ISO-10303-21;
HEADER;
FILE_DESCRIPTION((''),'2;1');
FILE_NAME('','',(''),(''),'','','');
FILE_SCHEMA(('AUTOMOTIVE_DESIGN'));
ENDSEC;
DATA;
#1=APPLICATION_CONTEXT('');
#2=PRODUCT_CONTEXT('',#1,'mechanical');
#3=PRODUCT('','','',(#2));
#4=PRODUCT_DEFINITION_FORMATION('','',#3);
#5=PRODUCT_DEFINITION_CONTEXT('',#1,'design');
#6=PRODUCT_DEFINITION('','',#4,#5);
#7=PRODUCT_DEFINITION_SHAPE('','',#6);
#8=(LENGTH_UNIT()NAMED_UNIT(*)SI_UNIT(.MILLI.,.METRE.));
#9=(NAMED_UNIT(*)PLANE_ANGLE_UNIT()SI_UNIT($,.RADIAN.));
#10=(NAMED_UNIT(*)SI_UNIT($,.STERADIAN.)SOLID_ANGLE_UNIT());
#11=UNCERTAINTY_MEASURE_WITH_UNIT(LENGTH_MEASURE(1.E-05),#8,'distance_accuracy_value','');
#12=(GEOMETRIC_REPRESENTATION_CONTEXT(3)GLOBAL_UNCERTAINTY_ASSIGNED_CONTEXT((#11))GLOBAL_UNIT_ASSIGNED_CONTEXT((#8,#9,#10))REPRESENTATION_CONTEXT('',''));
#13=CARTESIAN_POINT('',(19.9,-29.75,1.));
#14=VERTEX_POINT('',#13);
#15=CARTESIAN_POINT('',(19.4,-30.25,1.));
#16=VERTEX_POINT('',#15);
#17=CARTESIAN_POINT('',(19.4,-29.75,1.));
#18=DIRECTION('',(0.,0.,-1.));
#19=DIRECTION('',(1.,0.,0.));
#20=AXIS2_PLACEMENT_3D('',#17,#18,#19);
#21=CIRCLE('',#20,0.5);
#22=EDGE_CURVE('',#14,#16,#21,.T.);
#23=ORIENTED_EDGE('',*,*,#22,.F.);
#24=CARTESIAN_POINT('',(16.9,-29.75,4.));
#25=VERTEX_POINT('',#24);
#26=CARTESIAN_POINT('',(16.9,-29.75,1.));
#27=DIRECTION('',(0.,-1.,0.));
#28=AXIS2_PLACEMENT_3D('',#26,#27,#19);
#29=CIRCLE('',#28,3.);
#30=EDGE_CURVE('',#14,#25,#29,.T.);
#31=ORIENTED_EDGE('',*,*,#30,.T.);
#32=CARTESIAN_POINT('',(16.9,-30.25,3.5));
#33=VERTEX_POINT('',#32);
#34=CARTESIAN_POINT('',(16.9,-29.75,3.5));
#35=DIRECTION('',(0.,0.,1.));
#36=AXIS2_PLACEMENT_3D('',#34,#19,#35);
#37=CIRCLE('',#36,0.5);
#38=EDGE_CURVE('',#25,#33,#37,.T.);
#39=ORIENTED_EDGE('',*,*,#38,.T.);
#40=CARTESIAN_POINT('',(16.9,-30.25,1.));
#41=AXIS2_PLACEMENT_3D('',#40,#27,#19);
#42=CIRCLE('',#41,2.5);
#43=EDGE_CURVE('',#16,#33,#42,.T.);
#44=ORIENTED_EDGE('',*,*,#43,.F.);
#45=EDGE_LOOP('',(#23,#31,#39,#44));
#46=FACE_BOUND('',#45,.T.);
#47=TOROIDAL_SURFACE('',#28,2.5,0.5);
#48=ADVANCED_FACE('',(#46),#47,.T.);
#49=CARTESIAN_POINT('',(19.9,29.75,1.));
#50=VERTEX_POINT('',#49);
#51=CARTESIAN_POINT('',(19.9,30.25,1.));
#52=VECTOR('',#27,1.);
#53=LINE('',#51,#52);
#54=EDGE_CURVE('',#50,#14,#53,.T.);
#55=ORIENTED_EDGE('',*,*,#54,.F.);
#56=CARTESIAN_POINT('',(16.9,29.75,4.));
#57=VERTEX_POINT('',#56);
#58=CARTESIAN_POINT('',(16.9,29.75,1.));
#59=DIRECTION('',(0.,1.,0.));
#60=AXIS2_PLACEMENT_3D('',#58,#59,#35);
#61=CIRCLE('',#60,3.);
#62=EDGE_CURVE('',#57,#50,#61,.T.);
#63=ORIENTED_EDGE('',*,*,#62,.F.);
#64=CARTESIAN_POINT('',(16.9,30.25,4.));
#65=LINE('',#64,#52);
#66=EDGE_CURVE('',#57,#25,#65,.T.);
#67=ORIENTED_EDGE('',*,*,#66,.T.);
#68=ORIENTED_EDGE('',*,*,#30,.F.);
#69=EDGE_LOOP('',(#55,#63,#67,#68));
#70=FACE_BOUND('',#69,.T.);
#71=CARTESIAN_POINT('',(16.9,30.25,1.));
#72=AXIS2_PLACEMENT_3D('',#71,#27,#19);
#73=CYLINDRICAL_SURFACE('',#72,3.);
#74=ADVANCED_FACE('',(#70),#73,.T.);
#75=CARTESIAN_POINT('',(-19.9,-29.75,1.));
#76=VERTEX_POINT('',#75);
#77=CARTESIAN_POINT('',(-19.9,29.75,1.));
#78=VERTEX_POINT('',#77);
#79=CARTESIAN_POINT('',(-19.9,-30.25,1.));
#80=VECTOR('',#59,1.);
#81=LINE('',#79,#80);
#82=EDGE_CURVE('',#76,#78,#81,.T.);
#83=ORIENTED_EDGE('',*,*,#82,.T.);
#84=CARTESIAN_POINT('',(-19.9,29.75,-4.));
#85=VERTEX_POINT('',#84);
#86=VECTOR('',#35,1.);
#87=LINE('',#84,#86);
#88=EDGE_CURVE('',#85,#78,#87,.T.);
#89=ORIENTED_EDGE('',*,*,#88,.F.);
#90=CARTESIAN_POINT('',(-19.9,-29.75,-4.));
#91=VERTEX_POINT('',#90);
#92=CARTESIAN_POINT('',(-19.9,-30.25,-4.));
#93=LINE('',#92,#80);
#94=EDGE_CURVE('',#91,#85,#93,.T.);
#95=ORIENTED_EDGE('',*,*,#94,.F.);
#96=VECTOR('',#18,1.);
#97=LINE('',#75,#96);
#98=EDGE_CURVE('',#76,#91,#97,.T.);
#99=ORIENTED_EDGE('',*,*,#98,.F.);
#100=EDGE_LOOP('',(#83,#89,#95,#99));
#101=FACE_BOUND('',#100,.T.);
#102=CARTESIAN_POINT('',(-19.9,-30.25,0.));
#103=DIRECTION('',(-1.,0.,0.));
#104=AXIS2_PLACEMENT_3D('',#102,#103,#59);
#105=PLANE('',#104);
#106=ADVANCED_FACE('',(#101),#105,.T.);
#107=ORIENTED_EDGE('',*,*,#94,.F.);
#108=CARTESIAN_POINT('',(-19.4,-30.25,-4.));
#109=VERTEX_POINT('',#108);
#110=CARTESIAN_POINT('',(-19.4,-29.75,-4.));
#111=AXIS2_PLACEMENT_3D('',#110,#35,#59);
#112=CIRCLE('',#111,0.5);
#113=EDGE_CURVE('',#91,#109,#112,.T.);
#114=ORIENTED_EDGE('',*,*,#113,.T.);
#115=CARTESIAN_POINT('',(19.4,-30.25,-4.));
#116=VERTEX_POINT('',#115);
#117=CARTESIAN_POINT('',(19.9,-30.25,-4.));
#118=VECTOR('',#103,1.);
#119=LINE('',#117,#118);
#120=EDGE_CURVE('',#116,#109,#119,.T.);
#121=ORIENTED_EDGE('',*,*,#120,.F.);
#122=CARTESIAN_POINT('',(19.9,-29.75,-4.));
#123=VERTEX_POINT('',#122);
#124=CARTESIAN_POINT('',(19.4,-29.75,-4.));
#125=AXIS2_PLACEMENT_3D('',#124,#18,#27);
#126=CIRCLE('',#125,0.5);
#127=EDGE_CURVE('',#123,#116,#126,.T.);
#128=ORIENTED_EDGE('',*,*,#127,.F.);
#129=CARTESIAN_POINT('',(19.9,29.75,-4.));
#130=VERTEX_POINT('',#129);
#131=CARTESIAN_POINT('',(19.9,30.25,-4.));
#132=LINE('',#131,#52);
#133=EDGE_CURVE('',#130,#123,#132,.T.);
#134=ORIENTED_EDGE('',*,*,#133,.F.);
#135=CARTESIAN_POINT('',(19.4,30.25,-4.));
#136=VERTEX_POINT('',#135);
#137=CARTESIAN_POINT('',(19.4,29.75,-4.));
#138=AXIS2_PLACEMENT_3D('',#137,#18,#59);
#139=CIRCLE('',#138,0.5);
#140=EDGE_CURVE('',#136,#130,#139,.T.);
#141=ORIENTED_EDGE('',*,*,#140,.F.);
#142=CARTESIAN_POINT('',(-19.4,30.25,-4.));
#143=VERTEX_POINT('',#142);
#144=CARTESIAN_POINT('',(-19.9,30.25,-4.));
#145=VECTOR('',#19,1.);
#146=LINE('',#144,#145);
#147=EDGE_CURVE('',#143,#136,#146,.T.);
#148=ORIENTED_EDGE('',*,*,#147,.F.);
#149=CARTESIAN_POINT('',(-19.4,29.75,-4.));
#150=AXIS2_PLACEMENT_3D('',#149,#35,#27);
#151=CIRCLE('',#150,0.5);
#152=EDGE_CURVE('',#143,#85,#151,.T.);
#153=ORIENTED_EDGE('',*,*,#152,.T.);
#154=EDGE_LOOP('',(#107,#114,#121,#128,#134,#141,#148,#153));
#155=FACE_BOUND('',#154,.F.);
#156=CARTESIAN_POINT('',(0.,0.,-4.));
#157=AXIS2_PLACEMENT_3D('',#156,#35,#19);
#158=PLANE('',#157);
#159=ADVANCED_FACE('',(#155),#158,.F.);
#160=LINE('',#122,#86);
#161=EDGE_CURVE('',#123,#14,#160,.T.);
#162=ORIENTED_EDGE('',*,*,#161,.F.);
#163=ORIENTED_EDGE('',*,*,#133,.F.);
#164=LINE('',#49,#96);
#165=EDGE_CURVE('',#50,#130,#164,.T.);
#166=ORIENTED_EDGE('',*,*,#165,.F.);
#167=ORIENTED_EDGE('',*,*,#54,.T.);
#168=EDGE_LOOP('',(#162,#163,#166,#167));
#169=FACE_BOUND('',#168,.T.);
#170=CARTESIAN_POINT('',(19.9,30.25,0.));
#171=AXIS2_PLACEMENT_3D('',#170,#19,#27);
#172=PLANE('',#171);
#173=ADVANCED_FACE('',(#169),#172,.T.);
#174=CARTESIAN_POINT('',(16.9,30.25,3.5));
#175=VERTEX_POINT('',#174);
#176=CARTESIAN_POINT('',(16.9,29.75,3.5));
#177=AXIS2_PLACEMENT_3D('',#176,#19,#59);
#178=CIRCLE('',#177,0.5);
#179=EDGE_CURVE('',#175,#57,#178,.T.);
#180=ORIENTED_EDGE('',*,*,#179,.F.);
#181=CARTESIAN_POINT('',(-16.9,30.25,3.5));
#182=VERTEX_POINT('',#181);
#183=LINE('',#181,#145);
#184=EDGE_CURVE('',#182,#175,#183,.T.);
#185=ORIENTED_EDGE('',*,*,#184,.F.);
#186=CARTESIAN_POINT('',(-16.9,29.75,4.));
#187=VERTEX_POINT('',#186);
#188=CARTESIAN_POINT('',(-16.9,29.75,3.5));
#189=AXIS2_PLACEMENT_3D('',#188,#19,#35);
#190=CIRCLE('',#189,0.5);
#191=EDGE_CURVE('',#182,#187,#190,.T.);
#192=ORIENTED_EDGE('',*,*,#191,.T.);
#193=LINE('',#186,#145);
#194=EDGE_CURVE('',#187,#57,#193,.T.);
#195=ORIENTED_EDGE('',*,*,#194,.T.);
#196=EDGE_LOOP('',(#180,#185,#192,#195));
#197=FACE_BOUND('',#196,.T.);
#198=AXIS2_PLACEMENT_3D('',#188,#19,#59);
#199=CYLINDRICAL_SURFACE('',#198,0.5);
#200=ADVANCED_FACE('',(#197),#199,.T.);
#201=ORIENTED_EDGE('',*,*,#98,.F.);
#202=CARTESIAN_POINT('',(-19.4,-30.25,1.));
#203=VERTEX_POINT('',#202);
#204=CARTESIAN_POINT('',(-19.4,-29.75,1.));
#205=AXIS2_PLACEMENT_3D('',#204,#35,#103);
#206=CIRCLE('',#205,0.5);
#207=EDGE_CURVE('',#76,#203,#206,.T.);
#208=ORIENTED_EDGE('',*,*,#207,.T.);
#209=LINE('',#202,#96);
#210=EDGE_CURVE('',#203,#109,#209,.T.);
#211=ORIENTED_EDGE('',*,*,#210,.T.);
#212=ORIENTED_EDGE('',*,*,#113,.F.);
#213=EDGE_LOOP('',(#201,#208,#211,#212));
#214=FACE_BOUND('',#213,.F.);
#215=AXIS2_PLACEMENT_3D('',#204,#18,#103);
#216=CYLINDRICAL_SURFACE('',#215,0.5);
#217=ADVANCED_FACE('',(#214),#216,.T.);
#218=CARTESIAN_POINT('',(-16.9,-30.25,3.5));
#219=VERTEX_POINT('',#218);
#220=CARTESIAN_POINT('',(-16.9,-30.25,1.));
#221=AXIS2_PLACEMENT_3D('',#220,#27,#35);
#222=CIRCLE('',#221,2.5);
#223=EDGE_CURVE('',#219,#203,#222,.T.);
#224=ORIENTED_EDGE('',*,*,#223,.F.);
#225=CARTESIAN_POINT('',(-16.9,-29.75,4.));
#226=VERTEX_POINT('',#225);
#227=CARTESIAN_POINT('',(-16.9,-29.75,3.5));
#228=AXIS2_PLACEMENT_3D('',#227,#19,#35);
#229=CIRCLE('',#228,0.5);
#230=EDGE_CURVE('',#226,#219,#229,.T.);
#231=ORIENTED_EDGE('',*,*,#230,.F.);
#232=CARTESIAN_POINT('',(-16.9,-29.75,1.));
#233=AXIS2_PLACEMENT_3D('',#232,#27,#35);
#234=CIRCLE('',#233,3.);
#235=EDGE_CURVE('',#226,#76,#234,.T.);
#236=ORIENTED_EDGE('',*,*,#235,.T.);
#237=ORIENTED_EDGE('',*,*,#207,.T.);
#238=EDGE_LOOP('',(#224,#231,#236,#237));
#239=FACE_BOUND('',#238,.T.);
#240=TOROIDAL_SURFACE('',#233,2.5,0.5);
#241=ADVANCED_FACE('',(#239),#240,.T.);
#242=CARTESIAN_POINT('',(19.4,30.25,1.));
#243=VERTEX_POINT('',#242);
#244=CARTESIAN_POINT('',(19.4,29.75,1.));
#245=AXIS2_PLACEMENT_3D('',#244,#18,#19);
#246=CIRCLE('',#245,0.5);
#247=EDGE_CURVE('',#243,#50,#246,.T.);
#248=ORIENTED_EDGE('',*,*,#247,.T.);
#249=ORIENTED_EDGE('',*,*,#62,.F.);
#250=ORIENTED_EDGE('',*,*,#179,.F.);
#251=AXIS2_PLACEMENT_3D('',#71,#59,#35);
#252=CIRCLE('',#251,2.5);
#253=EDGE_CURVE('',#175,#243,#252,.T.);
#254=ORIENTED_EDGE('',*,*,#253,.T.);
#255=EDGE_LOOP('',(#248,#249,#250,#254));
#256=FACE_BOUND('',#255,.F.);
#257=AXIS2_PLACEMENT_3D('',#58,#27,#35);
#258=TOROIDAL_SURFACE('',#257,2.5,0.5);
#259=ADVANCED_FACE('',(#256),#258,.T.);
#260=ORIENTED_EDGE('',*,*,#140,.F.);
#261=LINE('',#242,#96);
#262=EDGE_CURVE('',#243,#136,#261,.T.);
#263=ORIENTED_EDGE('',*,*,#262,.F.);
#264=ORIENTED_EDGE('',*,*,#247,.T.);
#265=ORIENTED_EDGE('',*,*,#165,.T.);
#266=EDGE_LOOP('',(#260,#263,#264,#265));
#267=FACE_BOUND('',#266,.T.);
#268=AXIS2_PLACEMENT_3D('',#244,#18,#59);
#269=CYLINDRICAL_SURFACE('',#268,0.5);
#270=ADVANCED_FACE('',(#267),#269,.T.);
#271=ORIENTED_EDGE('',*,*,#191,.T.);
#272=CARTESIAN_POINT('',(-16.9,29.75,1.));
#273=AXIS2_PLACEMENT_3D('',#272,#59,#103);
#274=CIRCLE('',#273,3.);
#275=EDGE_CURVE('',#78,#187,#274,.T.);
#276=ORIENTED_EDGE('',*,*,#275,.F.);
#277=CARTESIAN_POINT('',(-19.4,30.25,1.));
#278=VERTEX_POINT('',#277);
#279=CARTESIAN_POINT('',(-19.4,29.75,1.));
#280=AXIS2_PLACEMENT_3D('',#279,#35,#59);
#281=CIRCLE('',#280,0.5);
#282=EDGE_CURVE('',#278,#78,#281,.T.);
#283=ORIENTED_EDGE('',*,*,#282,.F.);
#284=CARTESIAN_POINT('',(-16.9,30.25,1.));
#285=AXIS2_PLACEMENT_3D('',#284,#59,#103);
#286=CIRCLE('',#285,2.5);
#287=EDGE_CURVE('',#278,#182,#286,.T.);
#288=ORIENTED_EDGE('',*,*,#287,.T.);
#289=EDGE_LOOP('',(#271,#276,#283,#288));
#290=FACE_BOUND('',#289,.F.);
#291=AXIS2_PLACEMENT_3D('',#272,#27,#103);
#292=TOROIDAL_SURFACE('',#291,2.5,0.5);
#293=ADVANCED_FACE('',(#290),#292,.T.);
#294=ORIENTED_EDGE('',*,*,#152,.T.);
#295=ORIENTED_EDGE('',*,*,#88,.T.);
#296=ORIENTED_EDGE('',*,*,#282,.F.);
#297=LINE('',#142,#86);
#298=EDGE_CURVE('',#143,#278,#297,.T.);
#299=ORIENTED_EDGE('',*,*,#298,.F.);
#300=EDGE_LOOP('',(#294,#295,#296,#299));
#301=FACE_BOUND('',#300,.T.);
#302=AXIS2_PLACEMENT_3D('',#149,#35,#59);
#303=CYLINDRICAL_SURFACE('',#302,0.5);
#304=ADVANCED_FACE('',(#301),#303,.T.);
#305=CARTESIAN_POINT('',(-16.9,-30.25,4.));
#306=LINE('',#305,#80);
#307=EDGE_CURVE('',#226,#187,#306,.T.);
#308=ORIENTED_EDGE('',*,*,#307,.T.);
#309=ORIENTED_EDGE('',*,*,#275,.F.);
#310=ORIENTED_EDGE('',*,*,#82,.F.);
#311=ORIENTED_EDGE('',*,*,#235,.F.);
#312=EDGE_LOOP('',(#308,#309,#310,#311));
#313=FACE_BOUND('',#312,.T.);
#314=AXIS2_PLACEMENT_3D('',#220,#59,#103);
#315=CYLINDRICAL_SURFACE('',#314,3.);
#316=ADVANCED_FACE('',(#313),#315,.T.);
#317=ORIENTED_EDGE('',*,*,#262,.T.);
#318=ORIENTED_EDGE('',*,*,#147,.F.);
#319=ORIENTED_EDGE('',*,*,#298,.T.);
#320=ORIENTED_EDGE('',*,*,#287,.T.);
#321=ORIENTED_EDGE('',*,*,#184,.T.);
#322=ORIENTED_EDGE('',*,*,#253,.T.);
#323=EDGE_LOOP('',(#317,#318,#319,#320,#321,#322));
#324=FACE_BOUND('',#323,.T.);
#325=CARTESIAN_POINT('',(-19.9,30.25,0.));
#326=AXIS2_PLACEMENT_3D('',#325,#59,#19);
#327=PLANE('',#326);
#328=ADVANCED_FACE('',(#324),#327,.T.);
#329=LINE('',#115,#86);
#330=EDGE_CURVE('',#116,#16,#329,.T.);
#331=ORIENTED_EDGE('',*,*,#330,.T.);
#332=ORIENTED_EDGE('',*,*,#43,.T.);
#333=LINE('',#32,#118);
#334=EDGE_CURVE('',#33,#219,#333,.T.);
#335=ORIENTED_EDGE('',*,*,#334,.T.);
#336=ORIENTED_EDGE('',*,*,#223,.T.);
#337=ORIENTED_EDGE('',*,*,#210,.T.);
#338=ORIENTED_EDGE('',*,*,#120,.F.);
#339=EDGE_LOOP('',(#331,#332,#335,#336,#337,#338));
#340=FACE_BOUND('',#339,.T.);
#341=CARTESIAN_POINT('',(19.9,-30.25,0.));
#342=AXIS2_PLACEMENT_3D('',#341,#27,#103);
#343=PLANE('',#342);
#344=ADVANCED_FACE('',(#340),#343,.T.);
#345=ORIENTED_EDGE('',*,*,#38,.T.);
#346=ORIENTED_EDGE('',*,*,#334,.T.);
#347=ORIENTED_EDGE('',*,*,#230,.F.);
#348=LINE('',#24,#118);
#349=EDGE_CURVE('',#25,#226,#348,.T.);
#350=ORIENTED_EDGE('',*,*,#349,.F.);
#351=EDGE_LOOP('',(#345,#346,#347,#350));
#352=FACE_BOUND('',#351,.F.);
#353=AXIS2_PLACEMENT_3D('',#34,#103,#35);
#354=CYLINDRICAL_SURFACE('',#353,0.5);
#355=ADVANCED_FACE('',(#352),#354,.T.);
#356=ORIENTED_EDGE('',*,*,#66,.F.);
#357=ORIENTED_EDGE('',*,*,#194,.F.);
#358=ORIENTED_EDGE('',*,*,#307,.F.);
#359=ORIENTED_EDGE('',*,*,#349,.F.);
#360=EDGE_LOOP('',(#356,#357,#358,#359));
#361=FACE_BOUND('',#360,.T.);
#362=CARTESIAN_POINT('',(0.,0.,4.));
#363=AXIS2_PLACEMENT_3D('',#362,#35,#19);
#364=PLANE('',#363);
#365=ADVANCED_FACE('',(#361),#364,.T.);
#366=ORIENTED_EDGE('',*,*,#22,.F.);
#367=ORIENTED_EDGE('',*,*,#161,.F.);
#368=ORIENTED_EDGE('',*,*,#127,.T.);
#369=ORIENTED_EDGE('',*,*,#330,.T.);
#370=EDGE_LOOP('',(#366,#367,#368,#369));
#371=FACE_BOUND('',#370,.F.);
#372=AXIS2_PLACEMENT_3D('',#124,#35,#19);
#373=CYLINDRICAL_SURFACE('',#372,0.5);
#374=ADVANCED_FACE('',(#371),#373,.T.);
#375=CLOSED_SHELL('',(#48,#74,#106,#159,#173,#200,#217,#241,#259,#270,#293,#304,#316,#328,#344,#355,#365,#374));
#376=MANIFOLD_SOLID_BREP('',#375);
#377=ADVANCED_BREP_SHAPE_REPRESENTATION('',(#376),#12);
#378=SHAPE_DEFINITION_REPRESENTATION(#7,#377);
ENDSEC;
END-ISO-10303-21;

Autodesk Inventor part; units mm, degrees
ref_plane "YZ Plane" through (0, 0, 0) normal (1, 0, 0) x (0, 1, 0)
ref_plane "XZ Plane" through (0, 0, 0) normal (0, 1, 0) x (-1, 0, 0)
ref_plane "XY Plane" through (0, 0, 0) normal (0, 0, 1) x (1, 0, 0)
sketch "Sketch1" plane through (0, 0, 0) normal (0, 0, 1) x (1, 0, 0)
  line L0 (-19.9, 30.25) -> (19.9, 30.25)
  line L1 (19.9, 30.25) -> (19.9, -30.25)
  line L2 (19.9, -30.25) -> (-19.9, -30.25)
  line L3 (-19.9, -30.25) -> (-19.9, 30.25)
  line L4 (-19.9, 30.25) -> (19.9, -30.25) construction
  line L5 (19.9, 30.25) -> (-19.9, -30.25) construction
  point P0 (0, 0)
  dimension "d0" = 39.8
  dimension "d1" = 60.5
extrude "Extrusion1" add sketch "Sketch1" along normal mid plane 8
fillet "Fillet1" radius 3 2 edges at (19.9, 0, 4) (-19.9, 0, 4)
fillet "Fillet2" radius 0.5 10 edges at (-19.0213, 30.25, 3.1213) (-19.9, 30.25, -1.5) (19.0213, 30.25, 3.1213) (19.9, 30.25, -1.5) (0, 30.25, 4) (19.0213, -30.25, 3.1213) (19.9, -30.25, -1.5) (-19.0213, -30.25, 3.1213) (-19.9, -30.25, -1.5) (0, -30.25, 4)
properties part number "Battery"
